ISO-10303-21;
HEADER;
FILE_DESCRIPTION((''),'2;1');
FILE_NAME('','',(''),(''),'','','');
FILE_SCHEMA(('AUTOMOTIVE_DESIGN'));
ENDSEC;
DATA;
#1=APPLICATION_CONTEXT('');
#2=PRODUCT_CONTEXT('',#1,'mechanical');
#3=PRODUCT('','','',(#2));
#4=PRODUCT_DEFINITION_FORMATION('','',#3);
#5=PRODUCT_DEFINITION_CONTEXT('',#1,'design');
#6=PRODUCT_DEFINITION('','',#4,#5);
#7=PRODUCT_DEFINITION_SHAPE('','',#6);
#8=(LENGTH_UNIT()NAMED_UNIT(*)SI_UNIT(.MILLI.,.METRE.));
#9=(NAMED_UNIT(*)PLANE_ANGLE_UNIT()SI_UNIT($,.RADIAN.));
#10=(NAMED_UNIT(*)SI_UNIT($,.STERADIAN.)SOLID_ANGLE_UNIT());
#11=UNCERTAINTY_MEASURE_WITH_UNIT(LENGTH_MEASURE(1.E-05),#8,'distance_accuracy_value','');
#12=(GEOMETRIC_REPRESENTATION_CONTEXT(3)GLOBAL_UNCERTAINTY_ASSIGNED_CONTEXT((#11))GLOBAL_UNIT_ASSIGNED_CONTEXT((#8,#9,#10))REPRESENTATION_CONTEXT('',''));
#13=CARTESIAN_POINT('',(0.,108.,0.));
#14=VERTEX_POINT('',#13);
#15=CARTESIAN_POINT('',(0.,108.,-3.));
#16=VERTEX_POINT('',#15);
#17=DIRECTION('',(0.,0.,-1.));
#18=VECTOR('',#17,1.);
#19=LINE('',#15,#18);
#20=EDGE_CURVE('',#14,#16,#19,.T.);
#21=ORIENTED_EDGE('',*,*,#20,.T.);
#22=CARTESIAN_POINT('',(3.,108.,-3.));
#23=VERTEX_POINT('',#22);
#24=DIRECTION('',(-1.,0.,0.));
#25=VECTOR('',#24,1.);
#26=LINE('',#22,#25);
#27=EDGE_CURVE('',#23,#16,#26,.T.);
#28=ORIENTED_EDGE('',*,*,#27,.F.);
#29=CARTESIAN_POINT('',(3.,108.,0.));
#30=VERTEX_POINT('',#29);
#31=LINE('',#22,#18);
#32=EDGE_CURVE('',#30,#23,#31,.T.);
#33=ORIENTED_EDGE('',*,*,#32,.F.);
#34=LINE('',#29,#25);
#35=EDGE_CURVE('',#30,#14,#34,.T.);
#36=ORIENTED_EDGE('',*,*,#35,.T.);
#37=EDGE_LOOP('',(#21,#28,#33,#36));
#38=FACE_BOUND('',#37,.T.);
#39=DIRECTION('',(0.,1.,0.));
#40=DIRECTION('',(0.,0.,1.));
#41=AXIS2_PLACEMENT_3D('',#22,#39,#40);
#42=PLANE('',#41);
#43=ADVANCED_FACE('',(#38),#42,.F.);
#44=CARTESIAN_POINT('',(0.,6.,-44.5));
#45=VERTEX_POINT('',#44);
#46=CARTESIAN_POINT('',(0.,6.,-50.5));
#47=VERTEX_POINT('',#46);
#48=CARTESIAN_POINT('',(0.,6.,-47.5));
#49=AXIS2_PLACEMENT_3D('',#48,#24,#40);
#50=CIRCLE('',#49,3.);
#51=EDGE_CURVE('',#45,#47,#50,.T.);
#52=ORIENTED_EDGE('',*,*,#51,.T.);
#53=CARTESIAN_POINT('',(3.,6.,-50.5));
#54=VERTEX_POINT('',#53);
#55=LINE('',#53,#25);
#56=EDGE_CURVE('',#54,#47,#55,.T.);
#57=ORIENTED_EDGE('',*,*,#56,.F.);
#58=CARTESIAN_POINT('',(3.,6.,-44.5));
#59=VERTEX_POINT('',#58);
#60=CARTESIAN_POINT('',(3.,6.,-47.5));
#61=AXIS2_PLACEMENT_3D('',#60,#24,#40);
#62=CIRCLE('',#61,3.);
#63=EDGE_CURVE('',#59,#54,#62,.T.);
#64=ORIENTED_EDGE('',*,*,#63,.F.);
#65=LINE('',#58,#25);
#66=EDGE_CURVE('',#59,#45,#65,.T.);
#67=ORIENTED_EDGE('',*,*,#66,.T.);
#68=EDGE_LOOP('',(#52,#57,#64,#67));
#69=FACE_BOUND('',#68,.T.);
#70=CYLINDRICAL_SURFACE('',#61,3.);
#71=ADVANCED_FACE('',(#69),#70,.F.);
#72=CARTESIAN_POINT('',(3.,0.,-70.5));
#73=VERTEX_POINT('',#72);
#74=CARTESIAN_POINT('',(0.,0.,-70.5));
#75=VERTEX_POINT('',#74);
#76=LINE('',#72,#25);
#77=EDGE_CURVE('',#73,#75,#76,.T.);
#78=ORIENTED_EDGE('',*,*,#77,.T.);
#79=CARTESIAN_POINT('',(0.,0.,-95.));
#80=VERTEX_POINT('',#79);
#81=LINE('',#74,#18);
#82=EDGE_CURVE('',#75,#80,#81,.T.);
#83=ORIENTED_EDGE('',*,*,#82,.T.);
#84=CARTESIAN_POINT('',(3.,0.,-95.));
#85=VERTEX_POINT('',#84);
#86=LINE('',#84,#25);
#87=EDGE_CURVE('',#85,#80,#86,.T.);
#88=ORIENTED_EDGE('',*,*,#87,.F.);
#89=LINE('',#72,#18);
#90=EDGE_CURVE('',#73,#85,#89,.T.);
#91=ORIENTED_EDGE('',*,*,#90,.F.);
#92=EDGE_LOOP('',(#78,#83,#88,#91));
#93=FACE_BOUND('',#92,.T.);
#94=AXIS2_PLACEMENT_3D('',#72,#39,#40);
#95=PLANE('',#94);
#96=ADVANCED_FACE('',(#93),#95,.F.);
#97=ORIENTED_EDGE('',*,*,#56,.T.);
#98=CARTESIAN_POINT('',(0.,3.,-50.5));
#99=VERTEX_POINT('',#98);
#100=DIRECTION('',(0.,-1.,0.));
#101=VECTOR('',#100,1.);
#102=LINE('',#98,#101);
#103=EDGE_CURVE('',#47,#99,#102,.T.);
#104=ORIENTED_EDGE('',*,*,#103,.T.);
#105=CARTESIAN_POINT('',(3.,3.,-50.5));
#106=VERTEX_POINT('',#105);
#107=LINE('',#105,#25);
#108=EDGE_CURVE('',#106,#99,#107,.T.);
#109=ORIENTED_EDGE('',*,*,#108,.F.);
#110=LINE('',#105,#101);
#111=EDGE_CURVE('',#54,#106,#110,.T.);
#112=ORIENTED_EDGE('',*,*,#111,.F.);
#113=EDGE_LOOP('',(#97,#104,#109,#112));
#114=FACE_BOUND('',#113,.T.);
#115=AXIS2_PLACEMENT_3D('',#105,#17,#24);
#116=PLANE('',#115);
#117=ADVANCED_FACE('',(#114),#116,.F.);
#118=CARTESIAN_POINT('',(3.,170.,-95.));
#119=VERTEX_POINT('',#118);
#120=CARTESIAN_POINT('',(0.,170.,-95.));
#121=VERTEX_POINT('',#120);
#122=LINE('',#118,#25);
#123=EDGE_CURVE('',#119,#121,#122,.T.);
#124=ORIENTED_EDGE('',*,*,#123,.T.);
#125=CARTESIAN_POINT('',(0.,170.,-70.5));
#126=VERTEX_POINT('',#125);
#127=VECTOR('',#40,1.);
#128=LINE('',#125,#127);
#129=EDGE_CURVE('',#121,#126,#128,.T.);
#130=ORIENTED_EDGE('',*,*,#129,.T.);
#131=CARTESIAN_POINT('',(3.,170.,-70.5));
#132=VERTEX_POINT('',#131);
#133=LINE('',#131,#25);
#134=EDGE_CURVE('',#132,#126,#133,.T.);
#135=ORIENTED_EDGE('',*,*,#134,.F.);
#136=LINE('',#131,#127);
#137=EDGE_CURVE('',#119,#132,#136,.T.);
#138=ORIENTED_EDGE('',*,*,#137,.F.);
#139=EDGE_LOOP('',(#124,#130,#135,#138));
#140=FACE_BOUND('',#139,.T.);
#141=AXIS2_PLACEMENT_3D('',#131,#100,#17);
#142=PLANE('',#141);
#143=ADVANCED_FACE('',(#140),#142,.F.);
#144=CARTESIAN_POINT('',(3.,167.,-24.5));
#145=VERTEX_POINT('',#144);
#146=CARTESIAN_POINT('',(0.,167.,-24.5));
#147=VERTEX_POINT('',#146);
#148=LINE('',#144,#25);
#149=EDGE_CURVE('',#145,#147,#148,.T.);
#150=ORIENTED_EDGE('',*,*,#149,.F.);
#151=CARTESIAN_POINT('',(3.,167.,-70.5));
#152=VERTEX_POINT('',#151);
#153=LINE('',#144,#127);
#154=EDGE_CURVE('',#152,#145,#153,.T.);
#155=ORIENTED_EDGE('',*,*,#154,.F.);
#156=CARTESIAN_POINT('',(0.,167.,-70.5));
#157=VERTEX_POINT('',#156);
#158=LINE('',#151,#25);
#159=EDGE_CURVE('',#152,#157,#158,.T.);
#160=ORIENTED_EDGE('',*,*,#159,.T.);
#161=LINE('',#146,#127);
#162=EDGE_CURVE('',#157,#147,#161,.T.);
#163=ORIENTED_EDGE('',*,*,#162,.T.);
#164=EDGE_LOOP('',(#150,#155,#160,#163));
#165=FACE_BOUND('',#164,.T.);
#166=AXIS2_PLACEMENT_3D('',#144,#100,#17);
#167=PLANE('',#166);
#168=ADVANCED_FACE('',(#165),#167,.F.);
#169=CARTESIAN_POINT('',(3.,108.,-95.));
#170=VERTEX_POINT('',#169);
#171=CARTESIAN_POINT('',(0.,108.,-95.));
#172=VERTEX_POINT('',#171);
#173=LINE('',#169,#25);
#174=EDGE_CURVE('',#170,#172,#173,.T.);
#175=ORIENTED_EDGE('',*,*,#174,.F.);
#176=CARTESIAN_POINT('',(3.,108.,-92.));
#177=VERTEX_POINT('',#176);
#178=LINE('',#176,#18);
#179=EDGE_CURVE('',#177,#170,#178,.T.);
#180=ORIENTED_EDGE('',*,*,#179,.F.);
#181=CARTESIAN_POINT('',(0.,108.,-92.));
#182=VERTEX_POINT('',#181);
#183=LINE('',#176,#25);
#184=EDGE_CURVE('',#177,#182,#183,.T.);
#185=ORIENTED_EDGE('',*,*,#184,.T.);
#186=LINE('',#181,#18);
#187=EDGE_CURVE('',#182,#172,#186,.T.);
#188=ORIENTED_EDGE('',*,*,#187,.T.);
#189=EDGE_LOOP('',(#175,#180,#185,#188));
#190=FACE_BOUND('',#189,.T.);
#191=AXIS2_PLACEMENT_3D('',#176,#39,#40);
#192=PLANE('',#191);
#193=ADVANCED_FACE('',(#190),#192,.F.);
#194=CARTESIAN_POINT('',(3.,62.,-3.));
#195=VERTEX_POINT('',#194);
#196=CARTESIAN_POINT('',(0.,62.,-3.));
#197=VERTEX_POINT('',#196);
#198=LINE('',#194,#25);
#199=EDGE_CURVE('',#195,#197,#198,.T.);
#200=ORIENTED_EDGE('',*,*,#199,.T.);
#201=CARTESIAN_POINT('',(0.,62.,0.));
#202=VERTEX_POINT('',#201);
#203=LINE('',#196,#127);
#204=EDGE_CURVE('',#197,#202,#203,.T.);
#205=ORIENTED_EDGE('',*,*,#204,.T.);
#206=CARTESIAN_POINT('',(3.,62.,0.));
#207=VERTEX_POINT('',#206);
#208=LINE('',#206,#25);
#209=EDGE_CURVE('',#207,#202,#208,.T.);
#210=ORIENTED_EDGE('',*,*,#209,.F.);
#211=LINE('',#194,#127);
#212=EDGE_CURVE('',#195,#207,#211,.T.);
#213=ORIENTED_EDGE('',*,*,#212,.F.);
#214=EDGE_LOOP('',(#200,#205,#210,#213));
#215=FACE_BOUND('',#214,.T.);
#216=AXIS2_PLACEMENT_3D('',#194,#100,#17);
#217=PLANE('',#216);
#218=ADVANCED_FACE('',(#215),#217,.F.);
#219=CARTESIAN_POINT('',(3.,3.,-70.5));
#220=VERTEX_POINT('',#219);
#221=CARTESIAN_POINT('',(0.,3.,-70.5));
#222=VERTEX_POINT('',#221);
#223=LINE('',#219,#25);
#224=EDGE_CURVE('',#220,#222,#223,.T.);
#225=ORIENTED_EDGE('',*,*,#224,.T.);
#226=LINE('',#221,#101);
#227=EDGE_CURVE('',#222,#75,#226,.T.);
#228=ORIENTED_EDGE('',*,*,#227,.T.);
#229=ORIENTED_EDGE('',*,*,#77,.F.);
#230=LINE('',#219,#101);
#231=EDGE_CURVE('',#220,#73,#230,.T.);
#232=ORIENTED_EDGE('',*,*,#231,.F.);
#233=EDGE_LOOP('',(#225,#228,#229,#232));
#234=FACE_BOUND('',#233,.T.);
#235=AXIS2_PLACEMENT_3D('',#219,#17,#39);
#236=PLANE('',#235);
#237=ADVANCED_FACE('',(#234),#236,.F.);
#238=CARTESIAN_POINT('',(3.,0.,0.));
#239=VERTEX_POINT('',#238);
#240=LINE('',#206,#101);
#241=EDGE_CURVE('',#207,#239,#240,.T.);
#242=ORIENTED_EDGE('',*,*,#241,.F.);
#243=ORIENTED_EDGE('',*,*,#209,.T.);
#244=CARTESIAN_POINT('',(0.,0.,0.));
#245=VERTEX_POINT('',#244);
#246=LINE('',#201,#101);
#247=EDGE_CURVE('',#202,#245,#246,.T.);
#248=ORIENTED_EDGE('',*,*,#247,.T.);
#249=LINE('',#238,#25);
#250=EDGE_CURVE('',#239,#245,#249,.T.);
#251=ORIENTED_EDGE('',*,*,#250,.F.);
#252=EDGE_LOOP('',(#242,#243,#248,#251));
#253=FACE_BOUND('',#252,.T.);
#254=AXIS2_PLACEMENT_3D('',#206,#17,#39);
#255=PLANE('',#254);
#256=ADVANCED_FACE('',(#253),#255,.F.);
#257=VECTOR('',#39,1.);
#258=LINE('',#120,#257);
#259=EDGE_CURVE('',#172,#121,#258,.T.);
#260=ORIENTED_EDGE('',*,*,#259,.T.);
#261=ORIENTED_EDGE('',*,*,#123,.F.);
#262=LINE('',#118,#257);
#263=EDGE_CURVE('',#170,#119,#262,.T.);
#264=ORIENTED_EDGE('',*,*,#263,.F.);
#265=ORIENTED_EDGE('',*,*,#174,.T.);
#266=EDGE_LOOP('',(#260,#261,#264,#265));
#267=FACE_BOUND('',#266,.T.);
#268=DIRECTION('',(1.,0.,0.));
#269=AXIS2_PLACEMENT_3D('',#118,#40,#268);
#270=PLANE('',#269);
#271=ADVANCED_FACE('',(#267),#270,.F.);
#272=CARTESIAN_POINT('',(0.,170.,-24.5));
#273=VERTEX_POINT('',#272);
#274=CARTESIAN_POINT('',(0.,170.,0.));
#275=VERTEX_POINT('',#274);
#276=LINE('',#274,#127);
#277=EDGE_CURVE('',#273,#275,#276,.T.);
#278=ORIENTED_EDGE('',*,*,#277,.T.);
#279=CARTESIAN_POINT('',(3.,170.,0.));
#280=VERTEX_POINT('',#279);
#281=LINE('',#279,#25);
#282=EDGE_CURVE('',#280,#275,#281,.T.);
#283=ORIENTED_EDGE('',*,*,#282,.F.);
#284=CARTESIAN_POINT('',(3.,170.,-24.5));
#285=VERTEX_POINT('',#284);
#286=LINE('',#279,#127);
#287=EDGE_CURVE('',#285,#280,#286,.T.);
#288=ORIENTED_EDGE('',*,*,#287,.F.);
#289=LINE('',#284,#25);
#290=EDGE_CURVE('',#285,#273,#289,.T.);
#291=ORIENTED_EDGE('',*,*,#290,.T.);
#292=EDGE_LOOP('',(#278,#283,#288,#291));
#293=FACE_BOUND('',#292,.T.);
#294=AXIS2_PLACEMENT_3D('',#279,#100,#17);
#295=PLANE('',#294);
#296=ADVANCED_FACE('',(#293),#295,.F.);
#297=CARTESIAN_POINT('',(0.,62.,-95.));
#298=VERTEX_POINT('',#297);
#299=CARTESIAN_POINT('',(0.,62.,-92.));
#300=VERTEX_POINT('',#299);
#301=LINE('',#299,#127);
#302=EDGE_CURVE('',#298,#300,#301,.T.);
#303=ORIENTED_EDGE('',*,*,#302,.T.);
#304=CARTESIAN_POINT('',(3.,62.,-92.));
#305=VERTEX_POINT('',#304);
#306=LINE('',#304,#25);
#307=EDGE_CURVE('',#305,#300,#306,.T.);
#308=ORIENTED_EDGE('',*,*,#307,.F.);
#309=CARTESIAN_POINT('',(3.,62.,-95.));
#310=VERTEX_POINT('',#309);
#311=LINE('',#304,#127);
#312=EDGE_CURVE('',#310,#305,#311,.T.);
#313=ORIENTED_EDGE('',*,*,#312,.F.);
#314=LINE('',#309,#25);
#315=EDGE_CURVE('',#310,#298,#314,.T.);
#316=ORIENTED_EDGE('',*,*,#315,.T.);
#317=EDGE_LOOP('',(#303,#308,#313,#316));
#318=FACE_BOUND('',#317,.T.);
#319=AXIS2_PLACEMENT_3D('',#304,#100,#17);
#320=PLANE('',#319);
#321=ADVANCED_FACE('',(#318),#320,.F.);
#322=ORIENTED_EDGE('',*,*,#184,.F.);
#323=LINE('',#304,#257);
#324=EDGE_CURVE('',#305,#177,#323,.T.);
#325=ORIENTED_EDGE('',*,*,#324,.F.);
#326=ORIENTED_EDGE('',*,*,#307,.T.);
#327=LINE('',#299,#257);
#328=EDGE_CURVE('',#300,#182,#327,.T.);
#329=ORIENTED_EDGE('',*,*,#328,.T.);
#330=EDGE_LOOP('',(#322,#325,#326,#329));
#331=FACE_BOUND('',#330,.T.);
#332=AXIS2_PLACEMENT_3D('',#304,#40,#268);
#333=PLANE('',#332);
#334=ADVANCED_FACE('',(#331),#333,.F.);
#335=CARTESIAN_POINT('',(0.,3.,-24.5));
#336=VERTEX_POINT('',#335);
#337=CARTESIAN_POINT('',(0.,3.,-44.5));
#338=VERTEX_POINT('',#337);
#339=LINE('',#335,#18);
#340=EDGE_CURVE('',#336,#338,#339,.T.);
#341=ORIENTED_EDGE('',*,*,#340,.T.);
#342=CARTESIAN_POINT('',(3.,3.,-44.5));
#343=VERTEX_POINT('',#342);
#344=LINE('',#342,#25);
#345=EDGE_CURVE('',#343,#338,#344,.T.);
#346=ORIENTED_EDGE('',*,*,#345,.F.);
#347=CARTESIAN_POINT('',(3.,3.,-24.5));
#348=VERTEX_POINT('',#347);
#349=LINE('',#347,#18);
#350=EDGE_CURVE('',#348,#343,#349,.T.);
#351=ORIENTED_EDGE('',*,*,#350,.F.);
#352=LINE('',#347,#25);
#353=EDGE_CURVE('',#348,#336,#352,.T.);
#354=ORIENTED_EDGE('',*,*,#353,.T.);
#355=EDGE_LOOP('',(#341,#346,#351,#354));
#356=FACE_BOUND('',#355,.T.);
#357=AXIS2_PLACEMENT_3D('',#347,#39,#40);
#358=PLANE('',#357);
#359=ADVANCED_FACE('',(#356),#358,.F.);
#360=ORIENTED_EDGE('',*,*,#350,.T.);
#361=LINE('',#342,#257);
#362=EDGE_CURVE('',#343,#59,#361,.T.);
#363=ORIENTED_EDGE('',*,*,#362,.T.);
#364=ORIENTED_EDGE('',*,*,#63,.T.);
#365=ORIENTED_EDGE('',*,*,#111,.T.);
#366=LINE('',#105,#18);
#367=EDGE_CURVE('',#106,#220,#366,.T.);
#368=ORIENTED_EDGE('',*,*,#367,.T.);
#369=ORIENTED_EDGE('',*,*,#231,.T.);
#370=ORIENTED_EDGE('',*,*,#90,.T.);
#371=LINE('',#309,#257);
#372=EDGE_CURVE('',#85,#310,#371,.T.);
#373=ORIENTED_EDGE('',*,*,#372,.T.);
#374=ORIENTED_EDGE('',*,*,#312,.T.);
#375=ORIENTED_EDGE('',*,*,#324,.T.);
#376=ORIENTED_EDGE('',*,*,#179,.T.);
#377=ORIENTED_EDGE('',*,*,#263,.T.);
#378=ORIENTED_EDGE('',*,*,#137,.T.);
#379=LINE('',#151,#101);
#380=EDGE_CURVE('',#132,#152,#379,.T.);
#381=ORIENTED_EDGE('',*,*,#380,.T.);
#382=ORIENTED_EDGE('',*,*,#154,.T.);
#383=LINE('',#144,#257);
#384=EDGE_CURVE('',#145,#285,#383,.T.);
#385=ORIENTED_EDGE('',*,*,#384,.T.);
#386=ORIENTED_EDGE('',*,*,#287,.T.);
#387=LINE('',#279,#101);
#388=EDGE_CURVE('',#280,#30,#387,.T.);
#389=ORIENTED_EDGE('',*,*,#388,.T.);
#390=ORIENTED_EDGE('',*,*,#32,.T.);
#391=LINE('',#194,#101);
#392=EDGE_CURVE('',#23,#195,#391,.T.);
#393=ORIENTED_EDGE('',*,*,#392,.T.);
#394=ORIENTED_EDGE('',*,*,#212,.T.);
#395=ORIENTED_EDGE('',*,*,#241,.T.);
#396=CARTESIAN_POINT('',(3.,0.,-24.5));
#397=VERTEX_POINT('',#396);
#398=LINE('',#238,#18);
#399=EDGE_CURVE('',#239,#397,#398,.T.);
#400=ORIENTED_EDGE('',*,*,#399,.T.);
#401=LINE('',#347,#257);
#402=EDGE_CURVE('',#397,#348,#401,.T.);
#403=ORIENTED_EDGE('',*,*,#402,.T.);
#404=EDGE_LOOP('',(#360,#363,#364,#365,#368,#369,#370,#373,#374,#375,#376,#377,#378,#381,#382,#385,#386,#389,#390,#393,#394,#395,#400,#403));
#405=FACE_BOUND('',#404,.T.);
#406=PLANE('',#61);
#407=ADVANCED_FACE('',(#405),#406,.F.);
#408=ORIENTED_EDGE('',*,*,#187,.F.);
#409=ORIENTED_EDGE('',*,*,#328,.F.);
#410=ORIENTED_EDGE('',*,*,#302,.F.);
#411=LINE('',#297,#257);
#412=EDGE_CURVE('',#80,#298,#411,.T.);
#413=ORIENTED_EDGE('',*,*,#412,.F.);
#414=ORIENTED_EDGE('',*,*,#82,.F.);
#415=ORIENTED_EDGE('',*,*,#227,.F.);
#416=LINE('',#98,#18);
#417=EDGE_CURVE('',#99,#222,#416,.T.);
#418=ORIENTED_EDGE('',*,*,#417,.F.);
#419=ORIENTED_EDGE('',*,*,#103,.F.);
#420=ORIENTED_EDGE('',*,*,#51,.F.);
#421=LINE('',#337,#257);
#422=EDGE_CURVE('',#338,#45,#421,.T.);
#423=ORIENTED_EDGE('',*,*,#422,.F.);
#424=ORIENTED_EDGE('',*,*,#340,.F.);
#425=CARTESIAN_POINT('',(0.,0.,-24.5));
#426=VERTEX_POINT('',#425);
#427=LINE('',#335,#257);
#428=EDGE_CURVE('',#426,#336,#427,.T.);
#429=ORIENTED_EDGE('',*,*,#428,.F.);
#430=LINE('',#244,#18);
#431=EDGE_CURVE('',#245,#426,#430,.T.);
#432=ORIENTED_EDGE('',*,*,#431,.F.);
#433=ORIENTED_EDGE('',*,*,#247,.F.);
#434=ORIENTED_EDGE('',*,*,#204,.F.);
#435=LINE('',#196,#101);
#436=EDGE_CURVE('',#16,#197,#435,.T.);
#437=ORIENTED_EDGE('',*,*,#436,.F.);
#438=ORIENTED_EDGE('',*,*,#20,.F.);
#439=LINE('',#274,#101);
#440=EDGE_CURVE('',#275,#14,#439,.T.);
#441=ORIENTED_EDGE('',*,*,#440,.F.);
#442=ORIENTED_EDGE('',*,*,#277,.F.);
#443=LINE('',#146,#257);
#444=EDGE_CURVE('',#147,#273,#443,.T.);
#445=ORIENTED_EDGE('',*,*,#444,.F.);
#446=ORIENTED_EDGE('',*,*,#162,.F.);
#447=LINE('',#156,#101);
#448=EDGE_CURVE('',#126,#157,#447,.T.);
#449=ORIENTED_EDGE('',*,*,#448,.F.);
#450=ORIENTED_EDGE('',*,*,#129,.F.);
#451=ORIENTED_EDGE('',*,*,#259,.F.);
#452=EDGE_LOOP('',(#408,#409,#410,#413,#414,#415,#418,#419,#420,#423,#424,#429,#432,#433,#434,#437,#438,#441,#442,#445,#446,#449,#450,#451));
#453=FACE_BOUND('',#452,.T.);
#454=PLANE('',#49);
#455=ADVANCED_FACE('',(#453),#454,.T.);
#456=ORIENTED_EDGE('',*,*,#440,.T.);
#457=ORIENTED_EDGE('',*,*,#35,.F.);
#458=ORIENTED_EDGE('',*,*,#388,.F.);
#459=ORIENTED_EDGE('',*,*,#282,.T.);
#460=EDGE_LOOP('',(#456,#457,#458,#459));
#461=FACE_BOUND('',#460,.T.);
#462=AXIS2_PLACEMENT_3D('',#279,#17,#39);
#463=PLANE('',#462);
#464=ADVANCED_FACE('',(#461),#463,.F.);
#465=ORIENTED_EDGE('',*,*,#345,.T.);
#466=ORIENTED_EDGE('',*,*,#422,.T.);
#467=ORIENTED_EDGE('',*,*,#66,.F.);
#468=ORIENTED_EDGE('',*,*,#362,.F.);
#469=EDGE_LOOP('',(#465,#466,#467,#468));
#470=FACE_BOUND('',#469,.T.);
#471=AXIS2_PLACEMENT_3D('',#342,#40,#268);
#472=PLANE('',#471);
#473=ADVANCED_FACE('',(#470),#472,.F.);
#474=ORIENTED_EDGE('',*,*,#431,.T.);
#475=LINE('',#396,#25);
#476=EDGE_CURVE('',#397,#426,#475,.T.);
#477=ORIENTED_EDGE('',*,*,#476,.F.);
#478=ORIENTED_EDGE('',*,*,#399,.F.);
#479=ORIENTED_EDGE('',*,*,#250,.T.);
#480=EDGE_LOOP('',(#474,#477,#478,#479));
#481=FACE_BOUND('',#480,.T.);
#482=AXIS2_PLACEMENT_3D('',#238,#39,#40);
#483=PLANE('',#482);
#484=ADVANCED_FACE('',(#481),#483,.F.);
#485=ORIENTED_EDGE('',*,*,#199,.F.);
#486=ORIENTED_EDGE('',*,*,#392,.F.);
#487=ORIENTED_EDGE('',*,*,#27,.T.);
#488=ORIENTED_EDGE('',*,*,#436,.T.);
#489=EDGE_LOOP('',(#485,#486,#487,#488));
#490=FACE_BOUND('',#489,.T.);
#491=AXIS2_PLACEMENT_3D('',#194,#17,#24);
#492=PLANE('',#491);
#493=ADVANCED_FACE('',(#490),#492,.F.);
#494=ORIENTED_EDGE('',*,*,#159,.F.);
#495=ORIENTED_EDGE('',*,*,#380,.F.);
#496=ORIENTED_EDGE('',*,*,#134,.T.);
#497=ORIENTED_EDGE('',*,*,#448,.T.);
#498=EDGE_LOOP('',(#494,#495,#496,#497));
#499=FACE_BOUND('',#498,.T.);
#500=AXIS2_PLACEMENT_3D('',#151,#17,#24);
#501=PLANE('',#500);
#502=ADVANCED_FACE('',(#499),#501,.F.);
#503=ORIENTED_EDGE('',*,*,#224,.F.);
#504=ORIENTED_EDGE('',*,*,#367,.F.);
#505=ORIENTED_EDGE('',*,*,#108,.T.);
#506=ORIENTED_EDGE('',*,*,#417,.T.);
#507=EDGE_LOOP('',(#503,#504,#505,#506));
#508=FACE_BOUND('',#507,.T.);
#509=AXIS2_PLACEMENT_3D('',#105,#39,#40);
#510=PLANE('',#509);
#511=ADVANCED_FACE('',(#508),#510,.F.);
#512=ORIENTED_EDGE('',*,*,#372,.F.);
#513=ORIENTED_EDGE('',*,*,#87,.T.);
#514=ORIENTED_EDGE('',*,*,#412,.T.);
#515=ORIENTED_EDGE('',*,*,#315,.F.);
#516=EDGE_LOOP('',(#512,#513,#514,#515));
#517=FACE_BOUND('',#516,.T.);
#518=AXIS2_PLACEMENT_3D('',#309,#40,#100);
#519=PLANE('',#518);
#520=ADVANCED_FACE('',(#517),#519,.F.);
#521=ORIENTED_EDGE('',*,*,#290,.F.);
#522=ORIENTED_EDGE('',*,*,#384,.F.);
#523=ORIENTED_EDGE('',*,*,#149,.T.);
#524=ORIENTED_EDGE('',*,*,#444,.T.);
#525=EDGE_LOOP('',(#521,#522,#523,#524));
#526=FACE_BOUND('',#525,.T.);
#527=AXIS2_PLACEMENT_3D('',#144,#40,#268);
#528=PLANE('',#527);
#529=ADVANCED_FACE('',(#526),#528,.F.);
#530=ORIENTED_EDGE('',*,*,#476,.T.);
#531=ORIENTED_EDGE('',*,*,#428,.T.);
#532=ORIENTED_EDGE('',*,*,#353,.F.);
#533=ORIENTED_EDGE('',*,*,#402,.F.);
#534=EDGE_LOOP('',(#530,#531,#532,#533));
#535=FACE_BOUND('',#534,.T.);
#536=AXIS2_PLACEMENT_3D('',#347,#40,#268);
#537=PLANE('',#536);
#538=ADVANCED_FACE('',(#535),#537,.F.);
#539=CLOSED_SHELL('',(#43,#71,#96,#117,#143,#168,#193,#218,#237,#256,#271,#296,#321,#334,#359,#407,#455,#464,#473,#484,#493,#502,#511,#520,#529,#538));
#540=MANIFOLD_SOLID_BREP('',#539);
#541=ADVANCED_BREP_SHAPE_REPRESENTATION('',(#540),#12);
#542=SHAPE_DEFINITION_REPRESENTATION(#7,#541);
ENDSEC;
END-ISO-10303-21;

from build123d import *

# Parameters (mm, degrees)
SALIENTE_EXTRUIR1_DEPTH = 3


with BuildPart() as part:
    # Croquis1 → Saliente-Extruir1 (new body)
    with BuildSketch(Plane(origin=(0, 0, 0), x_dir=(0, 0, -1), z_dir=(1, 0, 0))):
        with BuildLine():
            Line((24.5, 167), (70.5, 167))
            Line((70.5, 167), (70.5, 170))
            Line((70.5, 170), (95, 170))
            Line((95, 170), (95, 108))
            Line((95, 108), (92, 108))
            Line((92, 108), (92, 62))
            Line((92, 62), (95, 62))
            Line((95, 62), (95, 0))
            Line((95, 0), (70.5, 0))
            Line((70.5, 0), (70.5, 3))
            Line((70.5, 3), (50.5, 3))
            Line((50.5, 3), (50.5, 6))
            ThreePointArc((50.5, 6), (47.5, 9), (44.5, 6))
            Line((44.5, 6), (44.5, 3))
            Line((44.5, 3), (24.5, 3))
            Line((24.5, 3), (24.5, 0))
            Line((24.5, 0), (0, 0))
            Line((0, 0), (0, 62))
            Line((0, 62), (3, 62))
            Line((3, 62), (3, 108))
            Line((3, 108), (0, 108))
            Line((0, 108), (0, 170))
            Line((0, 170), (24.5, 170))
            Line((24.5, 170), (24.5, 167))
        make_face()
    extrude(amount=SALIENTE_EXTRUIR1_DEPTH)


solid = part.part
